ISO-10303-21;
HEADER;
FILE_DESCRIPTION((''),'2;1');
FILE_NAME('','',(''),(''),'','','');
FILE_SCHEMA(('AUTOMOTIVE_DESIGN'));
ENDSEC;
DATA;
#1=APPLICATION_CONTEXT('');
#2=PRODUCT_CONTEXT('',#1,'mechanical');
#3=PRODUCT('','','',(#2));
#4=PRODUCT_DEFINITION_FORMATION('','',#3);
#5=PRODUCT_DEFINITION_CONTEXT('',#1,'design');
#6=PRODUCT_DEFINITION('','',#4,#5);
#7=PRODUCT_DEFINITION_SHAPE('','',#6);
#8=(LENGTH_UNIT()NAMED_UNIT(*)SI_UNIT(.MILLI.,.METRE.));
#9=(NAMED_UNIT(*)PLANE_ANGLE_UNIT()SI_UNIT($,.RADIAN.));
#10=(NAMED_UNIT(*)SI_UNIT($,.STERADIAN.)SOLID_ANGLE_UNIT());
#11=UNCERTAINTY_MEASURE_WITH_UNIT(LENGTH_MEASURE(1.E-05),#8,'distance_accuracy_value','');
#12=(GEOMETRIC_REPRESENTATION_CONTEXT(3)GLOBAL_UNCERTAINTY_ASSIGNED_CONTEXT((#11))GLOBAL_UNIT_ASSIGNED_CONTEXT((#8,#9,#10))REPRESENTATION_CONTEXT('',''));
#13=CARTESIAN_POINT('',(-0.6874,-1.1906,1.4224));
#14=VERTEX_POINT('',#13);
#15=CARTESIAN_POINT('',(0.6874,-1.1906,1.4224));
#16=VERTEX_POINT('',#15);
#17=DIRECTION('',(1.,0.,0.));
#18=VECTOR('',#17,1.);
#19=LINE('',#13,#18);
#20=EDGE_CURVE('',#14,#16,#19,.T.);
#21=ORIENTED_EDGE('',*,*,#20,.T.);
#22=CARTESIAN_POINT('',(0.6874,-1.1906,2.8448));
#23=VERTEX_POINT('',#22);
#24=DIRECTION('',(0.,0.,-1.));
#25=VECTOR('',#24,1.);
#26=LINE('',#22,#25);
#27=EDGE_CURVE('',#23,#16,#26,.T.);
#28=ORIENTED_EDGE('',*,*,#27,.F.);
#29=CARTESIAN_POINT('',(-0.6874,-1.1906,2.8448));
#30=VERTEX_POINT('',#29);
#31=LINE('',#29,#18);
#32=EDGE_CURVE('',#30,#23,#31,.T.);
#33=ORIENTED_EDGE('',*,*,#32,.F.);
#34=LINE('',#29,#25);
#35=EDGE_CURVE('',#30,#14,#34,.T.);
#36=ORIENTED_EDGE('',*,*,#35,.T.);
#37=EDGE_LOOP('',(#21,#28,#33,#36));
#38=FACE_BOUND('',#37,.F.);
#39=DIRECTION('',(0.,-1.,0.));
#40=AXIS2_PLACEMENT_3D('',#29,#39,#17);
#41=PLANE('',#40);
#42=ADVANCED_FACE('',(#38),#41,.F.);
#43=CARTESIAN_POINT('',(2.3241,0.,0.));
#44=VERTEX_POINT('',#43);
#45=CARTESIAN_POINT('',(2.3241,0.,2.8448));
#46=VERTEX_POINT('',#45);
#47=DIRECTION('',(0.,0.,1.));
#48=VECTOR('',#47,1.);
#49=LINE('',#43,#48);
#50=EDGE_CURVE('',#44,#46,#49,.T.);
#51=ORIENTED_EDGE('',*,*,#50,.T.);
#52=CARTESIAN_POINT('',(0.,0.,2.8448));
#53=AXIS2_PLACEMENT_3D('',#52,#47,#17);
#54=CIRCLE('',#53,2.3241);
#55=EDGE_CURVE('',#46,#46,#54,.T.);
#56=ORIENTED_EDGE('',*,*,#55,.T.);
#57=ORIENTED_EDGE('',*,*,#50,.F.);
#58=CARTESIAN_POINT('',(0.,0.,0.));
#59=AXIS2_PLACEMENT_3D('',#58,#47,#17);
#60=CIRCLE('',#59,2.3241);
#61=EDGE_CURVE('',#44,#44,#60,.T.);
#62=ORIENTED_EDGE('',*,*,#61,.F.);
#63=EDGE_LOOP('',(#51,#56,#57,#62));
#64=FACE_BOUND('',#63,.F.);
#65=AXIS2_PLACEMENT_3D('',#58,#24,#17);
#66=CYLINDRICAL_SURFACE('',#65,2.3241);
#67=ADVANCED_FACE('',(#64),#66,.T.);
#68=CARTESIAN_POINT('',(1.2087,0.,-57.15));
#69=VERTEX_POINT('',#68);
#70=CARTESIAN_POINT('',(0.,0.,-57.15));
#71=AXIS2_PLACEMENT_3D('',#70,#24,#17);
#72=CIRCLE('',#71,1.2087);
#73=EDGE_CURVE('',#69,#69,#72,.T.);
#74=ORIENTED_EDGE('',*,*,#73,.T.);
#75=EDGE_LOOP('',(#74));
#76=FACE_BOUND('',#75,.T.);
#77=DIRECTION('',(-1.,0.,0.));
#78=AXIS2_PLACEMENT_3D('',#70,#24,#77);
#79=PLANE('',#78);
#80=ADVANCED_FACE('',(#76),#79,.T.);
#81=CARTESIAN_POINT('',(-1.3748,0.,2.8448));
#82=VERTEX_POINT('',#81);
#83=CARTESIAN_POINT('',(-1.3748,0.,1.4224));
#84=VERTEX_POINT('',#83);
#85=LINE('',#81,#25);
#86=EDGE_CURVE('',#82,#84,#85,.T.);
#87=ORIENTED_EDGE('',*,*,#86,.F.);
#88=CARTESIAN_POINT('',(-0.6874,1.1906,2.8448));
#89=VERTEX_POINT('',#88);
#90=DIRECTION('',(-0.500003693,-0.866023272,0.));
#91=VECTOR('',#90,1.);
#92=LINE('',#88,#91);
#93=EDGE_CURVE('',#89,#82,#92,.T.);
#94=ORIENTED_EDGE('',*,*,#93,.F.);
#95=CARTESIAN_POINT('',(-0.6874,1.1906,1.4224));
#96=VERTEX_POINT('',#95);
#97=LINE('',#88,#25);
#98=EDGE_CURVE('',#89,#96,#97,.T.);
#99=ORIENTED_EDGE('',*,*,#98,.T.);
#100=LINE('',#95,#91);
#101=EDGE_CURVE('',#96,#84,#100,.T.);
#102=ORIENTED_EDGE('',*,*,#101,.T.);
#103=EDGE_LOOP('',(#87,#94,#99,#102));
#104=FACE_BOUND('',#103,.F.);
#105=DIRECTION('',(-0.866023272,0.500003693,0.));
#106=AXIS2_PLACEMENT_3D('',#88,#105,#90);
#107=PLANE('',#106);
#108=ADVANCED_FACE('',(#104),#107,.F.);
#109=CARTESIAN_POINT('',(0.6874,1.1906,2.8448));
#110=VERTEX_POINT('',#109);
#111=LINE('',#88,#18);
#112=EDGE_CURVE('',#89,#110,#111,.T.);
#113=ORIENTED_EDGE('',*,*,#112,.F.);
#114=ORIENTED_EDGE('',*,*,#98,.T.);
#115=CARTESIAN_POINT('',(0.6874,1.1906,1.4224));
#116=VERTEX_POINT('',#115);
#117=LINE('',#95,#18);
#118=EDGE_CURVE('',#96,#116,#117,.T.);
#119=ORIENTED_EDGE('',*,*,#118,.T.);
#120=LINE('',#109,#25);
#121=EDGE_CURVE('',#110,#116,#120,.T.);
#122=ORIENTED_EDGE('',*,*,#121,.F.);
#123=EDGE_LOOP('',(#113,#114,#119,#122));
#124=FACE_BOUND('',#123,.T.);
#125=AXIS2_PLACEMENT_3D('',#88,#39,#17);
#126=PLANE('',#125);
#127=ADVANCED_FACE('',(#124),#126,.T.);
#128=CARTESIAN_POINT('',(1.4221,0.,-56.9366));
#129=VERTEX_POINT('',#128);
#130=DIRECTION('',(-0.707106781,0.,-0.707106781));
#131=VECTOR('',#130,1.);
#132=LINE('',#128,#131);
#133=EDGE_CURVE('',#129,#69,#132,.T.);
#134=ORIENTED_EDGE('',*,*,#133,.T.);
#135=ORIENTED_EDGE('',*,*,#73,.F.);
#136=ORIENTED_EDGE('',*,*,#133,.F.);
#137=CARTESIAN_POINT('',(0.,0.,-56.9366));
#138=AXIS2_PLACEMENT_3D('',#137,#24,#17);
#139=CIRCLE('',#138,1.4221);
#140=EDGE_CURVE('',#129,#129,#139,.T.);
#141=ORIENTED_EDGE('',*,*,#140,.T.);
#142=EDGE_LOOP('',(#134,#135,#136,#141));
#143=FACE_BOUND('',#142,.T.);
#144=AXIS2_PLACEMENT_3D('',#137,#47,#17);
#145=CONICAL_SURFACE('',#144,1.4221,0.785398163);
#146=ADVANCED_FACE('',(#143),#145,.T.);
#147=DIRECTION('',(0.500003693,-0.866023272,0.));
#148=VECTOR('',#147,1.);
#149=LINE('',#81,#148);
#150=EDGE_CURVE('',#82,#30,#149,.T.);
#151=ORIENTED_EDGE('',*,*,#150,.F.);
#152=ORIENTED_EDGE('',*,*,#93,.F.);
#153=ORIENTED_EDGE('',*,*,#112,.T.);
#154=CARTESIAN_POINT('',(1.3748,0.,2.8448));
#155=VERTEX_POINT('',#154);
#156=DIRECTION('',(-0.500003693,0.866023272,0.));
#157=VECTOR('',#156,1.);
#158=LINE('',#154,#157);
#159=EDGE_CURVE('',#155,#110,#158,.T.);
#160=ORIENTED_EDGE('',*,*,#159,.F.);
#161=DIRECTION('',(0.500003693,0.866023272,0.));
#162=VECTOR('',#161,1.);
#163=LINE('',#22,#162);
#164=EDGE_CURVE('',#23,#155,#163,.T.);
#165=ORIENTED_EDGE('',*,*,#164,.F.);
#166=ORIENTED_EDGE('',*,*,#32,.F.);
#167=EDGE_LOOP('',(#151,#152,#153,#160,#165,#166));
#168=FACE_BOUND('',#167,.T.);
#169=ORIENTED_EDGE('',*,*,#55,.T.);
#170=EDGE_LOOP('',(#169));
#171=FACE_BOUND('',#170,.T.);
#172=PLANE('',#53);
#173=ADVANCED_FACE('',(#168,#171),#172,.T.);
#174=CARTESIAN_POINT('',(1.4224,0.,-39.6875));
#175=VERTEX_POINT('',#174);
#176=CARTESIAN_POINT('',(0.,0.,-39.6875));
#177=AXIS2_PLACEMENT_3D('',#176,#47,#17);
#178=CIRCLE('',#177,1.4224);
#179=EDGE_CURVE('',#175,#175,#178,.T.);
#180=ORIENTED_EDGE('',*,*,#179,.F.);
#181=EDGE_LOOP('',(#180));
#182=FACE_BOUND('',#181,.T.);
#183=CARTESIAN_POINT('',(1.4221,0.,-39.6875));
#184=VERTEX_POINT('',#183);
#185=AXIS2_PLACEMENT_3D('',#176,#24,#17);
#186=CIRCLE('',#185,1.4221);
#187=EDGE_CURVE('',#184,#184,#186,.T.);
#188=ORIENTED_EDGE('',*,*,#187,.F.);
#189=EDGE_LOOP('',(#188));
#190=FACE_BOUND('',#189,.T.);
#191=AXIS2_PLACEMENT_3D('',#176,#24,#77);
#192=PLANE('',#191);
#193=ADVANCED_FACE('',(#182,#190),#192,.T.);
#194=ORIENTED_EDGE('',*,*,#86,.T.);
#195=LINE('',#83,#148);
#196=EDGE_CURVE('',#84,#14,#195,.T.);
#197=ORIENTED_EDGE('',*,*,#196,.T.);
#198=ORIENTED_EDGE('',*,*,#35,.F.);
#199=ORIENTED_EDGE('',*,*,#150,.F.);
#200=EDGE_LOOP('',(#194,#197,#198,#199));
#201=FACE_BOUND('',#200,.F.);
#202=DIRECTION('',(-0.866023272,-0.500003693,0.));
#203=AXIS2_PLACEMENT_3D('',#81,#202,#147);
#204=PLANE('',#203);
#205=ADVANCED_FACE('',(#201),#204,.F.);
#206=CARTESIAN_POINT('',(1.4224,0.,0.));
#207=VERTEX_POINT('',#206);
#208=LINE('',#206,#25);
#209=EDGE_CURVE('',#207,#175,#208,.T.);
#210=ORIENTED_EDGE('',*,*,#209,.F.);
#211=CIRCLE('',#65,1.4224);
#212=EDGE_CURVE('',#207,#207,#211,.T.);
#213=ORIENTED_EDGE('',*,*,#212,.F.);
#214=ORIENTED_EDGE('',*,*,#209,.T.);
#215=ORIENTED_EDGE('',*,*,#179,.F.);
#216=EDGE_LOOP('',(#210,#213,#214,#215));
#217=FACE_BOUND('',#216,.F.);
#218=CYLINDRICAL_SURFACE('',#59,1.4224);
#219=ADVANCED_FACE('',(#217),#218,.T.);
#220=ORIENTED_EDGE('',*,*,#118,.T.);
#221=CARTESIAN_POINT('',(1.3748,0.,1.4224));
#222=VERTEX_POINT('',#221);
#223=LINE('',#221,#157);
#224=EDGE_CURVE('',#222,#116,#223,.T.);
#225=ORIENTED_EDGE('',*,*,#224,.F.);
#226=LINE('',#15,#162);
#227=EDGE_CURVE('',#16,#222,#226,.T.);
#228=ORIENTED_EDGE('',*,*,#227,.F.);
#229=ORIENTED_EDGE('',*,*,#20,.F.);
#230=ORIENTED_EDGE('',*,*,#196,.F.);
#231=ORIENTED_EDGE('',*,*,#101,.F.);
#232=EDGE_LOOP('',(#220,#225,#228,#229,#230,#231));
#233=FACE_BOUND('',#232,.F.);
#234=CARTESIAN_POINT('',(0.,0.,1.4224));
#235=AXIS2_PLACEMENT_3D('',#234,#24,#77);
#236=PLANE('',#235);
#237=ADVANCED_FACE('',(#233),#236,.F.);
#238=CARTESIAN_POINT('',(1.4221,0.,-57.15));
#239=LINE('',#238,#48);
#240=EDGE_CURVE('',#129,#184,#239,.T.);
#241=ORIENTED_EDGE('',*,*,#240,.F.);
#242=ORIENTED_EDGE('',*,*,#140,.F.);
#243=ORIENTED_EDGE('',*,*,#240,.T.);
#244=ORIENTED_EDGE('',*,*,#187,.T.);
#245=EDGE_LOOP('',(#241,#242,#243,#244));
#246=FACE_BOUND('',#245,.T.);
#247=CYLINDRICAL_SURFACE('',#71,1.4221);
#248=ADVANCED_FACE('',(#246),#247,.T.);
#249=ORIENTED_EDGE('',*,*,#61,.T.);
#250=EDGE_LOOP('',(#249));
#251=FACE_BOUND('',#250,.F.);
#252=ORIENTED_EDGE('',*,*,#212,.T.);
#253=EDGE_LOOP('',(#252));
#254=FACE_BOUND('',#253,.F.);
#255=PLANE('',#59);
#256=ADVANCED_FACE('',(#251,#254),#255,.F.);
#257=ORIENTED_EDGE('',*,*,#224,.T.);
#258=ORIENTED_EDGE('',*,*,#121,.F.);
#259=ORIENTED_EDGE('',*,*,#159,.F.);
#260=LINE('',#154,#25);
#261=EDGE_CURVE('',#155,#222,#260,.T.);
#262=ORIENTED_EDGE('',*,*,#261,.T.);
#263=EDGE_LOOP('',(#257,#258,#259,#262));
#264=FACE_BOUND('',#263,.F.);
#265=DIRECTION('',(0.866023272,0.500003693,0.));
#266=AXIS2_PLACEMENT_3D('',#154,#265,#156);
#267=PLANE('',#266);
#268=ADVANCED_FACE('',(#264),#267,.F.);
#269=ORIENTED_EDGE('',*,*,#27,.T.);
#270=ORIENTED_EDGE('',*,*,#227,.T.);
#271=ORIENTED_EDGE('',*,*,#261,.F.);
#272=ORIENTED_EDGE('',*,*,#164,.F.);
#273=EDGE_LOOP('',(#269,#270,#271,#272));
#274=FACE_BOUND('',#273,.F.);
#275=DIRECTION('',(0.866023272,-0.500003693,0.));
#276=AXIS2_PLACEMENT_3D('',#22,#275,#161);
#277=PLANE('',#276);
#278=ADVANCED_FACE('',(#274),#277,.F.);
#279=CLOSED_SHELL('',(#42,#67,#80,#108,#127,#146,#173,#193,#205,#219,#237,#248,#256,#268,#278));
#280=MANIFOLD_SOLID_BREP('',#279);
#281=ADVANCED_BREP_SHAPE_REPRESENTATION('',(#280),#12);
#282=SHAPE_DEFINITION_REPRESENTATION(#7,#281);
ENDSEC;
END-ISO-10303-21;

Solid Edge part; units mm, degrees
sketch "Sketch1" plane through (0, 0, 0) normal (0, 0, 1) x (1, 0, 0)
  circle A0 centre (0, 0) radius 2.3241
  dimension "D1" = 4.6482
extrude "Protrusion1" add sketch "Sketch1" along normal blind 2.8448
sketch "Sketch2" plane through (0, 0, 0) normal (0, 0, -1) x (1, 0, 0)
  circle A0 centre (0, 0) radius 1.4224
extrude "Protrusion2" add sketch "Sketch2" along normal blind 57.15
sketch "Sketch3" plane through (0, 0, -57.15) normal (0, 0, -1) x (1, 0, 0)
  circle A0 centre (0, 0) radius 1.4221
extrude "Cutout1" cut sketch "Sketch3" against normal blind 17.4625 flip side to cut
chamfer "Chamfer_1" distance 0.2134 angle 45 1 edges at (-1.4221, 0, -57.15)
sketch "Sketch4" plane through (0, 0, 2.8448) normal (0, 0, 1) x (1, 0, 0)
  line L0 (-0.6874, 1.1906) -> (0.6874, 1.1906)
  line L1 (1.3748, 0) -> (0.6874, 1.1906)
  line L2 (0.6874, -1.1906) -> (1.3748, 0)
  line L3 (-0.6874, -1.1906) -> (0.6874, -1.1906)
  line L4 (-1.3748, 0) -> (-0.6874, -1.1906)
  line L5 (-0.6874, 1.1906) -> (-1.3748, 0)
  dimension "D1" = 2.3812
extrude "Cutout2" cut sketch "Sketch4" against normal blind 1.4224
properties part number "161472"
